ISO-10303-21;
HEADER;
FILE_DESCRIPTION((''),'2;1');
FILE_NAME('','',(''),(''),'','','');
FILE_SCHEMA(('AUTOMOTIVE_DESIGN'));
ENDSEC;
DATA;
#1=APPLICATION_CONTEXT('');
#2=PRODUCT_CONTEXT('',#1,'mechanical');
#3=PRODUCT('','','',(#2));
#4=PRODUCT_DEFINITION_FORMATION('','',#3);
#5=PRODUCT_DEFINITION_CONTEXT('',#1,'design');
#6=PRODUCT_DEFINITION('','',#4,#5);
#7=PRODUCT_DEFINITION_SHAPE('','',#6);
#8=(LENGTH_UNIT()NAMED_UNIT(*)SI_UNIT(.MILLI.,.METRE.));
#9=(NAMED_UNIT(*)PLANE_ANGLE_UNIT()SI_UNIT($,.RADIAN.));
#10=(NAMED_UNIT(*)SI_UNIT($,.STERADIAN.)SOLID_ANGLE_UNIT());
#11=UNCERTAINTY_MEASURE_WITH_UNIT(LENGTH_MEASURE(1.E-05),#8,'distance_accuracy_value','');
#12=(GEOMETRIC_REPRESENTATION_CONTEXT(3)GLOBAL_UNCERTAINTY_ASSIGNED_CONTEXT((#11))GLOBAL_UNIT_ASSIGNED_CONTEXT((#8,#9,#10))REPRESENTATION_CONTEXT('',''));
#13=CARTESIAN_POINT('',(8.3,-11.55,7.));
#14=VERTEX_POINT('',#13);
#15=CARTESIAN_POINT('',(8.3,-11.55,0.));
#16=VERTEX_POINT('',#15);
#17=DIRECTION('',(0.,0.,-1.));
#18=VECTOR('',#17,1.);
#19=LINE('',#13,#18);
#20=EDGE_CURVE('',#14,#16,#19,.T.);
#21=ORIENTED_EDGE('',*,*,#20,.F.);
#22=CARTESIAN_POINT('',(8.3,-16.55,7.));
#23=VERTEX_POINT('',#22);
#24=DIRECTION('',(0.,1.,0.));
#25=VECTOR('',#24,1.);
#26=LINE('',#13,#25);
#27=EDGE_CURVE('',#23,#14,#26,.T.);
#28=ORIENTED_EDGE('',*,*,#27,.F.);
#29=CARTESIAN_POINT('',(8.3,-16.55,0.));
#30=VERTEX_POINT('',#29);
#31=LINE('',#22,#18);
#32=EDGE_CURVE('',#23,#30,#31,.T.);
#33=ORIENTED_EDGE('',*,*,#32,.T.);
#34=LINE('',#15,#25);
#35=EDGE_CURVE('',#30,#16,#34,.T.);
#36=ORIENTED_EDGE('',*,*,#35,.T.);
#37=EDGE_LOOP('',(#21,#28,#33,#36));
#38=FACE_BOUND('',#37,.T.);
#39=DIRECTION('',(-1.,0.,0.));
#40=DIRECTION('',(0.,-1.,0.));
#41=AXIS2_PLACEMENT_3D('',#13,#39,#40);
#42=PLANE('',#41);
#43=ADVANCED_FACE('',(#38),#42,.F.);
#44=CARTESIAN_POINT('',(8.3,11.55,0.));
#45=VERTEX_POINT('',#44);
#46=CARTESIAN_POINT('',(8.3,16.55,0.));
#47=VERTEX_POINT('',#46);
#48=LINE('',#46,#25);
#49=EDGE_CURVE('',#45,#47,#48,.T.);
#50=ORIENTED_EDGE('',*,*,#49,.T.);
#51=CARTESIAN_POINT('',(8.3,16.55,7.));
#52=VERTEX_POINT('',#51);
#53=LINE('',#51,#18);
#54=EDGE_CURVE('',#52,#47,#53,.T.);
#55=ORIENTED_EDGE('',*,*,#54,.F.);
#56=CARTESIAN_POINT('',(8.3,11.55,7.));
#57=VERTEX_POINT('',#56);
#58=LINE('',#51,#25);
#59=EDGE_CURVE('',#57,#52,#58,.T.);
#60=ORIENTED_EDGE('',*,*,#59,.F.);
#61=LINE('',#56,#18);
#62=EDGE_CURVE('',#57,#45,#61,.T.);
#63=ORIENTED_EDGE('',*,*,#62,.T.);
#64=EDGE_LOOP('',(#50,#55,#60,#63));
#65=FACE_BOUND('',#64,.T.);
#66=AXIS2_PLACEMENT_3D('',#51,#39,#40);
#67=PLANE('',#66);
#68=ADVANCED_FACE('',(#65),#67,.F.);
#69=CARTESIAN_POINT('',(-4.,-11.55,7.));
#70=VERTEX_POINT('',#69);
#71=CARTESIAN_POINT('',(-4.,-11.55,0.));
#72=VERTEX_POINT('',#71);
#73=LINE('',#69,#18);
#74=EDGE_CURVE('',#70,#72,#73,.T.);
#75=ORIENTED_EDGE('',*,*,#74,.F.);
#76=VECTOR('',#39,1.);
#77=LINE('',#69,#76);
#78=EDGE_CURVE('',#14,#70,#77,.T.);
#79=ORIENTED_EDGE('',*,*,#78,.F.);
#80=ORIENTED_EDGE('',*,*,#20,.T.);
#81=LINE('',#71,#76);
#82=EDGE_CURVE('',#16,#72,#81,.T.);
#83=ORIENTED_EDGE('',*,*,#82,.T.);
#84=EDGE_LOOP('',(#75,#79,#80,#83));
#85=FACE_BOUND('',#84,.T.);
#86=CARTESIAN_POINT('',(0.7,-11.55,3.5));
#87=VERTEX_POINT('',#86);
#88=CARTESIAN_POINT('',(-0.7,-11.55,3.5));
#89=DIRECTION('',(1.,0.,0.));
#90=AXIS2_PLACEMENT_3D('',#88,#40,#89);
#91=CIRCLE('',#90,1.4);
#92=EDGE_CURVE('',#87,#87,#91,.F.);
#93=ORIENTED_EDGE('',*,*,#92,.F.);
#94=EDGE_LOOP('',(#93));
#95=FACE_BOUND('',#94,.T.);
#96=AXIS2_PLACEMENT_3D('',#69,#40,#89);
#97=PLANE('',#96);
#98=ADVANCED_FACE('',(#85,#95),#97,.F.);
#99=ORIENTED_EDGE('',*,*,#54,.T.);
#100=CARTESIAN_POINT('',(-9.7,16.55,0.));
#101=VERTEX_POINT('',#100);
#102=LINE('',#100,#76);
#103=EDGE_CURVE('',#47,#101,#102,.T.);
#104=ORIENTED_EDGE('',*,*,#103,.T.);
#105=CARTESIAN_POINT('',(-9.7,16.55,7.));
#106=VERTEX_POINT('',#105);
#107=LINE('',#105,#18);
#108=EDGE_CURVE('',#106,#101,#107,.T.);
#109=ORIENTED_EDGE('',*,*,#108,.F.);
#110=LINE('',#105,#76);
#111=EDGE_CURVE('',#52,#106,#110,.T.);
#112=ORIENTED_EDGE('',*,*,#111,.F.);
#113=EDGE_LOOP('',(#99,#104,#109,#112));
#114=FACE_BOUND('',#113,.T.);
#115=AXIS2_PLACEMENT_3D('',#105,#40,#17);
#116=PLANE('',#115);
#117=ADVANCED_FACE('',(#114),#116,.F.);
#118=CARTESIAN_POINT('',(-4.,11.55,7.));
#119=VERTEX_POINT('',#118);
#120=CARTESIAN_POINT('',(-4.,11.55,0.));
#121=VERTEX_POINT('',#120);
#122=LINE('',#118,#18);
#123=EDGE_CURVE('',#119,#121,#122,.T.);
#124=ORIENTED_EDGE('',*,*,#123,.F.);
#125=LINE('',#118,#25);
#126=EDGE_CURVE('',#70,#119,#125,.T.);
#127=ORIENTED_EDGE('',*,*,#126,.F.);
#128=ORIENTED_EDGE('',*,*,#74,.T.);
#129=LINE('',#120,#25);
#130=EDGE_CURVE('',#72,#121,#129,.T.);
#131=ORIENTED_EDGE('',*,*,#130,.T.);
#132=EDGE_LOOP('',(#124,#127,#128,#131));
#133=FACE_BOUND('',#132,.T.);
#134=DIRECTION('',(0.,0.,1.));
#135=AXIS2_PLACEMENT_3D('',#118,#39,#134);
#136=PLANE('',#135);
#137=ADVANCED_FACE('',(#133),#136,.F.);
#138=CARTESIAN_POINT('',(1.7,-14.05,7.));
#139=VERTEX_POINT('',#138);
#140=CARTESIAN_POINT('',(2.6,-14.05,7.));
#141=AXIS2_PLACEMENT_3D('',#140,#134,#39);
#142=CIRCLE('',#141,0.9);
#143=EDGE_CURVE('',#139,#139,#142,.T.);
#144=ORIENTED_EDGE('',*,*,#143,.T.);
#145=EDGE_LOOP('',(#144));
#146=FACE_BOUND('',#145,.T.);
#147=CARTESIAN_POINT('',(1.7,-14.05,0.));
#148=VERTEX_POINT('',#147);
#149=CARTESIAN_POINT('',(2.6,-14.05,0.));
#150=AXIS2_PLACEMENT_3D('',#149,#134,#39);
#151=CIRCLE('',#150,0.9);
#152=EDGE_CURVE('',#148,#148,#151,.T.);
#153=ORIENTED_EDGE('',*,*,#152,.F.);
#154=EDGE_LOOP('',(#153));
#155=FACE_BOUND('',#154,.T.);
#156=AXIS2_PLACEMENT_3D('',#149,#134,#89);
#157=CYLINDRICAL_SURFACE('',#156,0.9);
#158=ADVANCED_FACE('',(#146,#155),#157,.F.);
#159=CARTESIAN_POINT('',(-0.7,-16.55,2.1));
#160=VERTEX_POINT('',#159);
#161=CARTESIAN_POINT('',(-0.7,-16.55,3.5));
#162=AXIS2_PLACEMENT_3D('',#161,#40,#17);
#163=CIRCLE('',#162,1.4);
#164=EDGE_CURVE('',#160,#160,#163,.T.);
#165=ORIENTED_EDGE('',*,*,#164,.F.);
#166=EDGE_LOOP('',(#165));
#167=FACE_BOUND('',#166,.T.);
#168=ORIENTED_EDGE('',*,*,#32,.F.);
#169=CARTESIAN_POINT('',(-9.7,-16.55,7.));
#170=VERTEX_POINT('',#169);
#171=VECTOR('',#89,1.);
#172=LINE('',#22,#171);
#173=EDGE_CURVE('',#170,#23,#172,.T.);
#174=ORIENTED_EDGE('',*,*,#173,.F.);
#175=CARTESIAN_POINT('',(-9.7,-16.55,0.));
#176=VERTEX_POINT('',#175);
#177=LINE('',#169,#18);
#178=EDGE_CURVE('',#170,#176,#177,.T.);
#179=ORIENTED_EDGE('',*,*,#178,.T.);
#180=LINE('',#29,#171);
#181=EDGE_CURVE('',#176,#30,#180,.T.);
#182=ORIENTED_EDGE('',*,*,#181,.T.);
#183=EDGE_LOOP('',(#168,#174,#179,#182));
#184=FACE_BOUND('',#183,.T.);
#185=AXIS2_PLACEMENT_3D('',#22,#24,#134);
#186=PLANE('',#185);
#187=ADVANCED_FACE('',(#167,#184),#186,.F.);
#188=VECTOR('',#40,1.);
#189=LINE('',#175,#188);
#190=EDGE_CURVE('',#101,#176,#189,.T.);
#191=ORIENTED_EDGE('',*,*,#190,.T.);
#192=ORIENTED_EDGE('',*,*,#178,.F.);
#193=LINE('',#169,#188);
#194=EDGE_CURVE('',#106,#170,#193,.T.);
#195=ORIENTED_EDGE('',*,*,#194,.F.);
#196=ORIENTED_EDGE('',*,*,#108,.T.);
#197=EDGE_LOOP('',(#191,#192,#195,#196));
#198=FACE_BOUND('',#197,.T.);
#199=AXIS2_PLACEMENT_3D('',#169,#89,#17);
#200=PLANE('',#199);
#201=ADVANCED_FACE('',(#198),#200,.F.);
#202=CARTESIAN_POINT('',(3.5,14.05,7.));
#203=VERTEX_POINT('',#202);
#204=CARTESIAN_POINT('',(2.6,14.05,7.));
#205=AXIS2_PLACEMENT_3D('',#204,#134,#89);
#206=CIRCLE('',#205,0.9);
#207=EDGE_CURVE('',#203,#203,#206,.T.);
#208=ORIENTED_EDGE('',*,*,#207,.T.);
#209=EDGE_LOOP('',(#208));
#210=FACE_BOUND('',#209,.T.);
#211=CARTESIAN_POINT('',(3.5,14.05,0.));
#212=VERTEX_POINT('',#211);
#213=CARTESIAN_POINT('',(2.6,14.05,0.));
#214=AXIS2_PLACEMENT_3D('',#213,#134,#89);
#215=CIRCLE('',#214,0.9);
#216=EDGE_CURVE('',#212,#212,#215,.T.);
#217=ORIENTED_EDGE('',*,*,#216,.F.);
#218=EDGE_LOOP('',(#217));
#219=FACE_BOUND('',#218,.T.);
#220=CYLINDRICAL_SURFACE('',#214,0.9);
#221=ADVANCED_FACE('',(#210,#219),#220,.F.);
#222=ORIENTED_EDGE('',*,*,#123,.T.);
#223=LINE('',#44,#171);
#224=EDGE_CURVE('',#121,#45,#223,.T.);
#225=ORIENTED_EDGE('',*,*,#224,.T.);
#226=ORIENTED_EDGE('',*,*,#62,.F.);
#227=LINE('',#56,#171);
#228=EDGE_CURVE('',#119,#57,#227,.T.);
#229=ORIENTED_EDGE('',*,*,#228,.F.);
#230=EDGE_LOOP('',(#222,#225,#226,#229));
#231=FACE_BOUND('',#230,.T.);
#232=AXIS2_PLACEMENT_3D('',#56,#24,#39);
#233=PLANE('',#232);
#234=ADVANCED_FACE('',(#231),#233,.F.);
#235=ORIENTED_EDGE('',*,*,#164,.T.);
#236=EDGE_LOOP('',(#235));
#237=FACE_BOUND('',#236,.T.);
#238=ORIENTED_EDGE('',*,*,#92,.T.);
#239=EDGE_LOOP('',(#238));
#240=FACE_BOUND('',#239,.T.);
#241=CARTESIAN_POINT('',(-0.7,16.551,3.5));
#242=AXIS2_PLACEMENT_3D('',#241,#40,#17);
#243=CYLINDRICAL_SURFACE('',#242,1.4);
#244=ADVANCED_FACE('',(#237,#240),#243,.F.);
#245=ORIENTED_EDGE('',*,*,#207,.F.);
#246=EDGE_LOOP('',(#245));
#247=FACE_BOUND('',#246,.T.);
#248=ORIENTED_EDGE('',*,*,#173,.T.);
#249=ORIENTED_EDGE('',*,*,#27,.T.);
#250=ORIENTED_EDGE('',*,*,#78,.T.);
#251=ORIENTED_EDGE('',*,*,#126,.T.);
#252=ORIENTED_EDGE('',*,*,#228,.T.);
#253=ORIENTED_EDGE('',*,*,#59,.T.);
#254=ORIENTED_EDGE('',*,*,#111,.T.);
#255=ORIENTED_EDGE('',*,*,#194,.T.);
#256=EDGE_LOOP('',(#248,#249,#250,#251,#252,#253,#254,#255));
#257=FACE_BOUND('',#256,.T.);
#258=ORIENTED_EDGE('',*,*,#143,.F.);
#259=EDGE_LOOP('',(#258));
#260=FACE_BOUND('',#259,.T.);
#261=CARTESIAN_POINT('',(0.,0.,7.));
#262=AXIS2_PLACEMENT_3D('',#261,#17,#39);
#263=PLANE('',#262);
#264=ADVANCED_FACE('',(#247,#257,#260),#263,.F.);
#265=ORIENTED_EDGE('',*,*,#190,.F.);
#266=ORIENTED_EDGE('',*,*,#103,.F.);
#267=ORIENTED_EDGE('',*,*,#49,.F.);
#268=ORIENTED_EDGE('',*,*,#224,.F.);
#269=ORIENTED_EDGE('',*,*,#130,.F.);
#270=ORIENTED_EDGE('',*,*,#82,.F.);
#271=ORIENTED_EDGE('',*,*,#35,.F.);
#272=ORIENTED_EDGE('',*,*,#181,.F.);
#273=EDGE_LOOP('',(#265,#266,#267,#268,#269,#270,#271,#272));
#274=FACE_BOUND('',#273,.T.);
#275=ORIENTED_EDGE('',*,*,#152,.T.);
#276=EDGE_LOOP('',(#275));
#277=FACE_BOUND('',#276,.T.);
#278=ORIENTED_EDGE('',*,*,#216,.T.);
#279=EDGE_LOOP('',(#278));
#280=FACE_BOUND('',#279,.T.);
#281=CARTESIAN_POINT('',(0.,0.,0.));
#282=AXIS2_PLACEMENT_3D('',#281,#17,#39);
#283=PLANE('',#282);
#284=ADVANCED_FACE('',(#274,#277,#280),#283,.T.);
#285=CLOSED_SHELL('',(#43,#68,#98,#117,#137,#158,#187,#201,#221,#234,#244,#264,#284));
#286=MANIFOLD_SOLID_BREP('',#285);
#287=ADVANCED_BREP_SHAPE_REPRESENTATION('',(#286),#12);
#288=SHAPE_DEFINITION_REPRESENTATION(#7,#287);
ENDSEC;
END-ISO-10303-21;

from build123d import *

# Parameters (mm, degrees)
ESTRUSIONE_ESTRUSIONE1_DEPTH = 7
SCHIZZO2_R                   = 0.9
TAGLIO_ESTRUSIONE1_DEPTH     = 21.420394218
TAGLIO_ESTRUSIONE2_REACH     = 37.195
SCHIZZO3_R                   = 1.4


with BuildPart() as part:
    # Schizzo1 → Estrusione-Estrusione1 (new body)
    with BuildSketch(Plane.XY):
        Polygon((8.3, 11.55), (-4, 11.55), (-4, -11.55), (8.3, -11.55), (8.3, -16.55), (-9.7, -16.55), (-9.7, 16.55), (8.3, 16.55), align=None)
    extrude(amount=ESTRUSIONE_ESTRUSIONE1_DEPTH)

    # Schizzo2 → Taglio-Estrusione1 (cut, through all)
    with BuildSketch(Plane.XY.offset(7)):
        with Locations((2.6, 14.05)):
            Circle(SCHIZZO2_R)
        with Locations(Location((2.6, -14.05, 0), (0, 0, 180))):
            Circle(SCHIZZO2_R)
    extrude(amount=-TAGLIO_ESTRUSIONE1_DEPTH, mode=Mode.SUBTRACT)

    # Schizzo3 → Taglio-Estrusione2 (cut, up to next)
    with BuildSketch(Plane.XZ.offset(16.55), mode=Mode.PRIVATE) as taglio_estrusione2_sk1:
        with Locations(Location((-0.7, 3.5, 0), (0, 0, 270))):
            Circle(SCHIZZO3_R)
    taglio_estrusione2_tool1 = extrude(taglio_estrusione2_sk1.sketch, amount=-TAGLIO_ESTRUSIONE2_REACH, mode=Mode.PRIVATE) & part.part
    add(taglio_estrusione2_tool1.solids().sort_by_distance((-0.7, -16.55, 3.5))[0], mode=Mode.SUBTRACT)


solid = part.part
